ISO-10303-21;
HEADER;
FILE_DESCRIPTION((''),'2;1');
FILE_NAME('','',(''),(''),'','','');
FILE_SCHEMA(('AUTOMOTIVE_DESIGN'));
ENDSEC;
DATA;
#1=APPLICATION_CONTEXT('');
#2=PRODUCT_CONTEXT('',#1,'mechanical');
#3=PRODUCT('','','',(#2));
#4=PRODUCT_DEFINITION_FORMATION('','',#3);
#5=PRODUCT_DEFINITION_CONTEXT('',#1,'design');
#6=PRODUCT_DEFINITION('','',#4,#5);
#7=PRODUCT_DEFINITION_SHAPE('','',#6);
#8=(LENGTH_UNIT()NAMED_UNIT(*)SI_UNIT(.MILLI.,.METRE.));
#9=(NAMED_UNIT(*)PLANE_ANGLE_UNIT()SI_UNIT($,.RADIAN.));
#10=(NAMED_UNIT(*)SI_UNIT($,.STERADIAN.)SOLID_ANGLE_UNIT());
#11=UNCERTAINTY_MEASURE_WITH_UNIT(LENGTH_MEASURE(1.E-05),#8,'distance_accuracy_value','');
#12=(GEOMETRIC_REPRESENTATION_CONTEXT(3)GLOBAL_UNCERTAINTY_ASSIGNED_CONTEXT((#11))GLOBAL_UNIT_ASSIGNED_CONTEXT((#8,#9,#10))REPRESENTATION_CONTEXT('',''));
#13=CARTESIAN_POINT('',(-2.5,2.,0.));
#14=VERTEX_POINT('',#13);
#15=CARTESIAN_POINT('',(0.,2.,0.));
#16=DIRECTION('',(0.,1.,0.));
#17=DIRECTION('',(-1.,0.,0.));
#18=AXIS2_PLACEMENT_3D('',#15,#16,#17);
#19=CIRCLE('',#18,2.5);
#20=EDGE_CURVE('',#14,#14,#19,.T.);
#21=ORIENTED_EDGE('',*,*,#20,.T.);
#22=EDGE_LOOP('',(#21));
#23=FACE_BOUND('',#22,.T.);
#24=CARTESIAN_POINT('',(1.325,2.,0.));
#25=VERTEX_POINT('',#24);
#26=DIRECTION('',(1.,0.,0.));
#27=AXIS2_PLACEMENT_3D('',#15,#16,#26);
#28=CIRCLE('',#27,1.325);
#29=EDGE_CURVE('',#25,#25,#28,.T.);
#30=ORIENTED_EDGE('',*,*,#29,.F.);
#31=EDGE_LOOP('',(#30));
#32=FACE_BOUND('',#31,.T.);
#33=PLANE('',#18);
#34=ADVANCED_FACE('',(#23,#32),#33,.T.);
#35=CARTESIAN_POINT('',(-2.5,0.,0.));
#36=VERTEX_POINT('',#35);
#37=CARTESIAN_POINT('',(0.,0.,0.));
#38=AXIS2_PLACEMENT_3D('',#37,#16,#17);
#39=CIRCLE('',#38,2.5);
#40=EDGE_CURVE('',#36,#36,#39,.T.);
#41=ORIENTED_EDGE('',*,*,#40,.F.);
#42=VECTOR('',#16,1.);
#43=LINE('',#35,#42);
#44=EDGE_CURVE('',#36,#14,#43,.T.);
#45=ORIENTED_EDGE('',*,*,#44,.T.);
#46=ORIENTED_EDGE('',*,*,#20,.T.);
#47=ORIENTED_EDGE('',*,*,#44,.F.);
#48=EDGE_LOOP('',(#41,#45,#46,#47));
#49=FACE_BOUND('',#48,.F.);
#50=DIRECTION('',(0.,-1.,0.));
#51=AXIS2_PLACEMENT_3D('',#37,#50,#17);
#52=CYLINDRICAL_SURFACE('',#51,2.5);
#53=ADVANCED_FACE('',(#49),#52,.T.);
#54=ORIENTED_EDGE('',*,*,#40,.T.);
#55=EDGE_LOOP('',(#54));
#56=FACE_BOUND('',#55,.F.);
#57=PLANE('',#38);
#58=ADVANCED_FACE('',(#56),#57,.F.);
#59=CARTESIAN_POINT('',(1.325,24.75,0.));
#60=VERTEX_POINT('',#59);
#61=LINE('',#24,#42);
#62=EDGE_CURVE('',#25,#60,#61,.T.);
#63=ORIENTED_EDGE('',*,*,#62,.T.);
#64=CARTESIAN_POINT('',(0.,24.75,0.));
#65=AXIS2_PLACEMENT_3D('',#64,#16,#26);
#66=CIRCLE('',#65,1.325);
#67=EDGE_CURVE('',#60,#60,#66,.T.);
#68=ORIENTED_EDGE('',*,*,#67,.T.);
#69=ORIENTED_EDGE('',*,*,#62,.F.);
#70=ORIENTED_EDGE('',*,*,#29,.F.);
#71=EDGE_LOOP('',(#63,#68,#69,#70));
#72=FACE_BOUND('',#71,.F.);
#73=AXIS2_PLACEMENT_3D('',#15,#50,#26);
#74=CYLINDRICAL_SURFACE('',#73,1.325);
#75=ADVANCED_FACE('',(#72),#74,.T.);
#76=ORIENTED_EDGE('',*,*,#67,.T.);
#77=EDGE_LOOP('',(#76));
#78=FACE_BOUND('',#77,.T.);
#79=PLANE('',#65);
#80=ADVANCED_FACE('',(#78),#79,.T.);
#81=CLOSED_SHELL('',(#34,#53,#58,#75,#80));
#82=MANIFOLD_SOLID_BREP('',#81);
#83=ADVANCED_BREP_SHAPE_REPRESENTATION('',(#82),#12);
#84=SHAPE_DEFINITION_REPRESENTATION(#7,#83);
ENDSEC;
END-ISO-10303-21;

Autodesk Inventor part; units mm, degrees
ref_plane "YZ Plane" through (0, 0, 0) normal (1, 0, 0) x (0, 1, 0)
ref_plane "XZ Plane" through (0, 0, 0) normal (0, 1, 0) x (-1, 0, 0)
ref_plane "XY Plane" through (0, 0, 0) normal (0, 0, 1) x (1, 0, 0)
sketch "Sketch1" plane through (0, 0, 0) normal (0, 1, 0) x (-1, 0, 0)
  circle A0 centre (0, 0) radius 2.5
  dimension "d0" = 5
extrude "Extrusion1" add sketch "Sketch1" along normal blind 2
sketch "Sketch2" plane through (0, 2, 0) normal (0, 1, 0) x (1, 0, 0)
  circle A0 centre (0, 0) radius 1.325
  dimension "d3" = 2.65
extrude "Extrusion2" add sketch "Sketch2" along normal blind 22.75
properties part number "screw_2.8mm"
